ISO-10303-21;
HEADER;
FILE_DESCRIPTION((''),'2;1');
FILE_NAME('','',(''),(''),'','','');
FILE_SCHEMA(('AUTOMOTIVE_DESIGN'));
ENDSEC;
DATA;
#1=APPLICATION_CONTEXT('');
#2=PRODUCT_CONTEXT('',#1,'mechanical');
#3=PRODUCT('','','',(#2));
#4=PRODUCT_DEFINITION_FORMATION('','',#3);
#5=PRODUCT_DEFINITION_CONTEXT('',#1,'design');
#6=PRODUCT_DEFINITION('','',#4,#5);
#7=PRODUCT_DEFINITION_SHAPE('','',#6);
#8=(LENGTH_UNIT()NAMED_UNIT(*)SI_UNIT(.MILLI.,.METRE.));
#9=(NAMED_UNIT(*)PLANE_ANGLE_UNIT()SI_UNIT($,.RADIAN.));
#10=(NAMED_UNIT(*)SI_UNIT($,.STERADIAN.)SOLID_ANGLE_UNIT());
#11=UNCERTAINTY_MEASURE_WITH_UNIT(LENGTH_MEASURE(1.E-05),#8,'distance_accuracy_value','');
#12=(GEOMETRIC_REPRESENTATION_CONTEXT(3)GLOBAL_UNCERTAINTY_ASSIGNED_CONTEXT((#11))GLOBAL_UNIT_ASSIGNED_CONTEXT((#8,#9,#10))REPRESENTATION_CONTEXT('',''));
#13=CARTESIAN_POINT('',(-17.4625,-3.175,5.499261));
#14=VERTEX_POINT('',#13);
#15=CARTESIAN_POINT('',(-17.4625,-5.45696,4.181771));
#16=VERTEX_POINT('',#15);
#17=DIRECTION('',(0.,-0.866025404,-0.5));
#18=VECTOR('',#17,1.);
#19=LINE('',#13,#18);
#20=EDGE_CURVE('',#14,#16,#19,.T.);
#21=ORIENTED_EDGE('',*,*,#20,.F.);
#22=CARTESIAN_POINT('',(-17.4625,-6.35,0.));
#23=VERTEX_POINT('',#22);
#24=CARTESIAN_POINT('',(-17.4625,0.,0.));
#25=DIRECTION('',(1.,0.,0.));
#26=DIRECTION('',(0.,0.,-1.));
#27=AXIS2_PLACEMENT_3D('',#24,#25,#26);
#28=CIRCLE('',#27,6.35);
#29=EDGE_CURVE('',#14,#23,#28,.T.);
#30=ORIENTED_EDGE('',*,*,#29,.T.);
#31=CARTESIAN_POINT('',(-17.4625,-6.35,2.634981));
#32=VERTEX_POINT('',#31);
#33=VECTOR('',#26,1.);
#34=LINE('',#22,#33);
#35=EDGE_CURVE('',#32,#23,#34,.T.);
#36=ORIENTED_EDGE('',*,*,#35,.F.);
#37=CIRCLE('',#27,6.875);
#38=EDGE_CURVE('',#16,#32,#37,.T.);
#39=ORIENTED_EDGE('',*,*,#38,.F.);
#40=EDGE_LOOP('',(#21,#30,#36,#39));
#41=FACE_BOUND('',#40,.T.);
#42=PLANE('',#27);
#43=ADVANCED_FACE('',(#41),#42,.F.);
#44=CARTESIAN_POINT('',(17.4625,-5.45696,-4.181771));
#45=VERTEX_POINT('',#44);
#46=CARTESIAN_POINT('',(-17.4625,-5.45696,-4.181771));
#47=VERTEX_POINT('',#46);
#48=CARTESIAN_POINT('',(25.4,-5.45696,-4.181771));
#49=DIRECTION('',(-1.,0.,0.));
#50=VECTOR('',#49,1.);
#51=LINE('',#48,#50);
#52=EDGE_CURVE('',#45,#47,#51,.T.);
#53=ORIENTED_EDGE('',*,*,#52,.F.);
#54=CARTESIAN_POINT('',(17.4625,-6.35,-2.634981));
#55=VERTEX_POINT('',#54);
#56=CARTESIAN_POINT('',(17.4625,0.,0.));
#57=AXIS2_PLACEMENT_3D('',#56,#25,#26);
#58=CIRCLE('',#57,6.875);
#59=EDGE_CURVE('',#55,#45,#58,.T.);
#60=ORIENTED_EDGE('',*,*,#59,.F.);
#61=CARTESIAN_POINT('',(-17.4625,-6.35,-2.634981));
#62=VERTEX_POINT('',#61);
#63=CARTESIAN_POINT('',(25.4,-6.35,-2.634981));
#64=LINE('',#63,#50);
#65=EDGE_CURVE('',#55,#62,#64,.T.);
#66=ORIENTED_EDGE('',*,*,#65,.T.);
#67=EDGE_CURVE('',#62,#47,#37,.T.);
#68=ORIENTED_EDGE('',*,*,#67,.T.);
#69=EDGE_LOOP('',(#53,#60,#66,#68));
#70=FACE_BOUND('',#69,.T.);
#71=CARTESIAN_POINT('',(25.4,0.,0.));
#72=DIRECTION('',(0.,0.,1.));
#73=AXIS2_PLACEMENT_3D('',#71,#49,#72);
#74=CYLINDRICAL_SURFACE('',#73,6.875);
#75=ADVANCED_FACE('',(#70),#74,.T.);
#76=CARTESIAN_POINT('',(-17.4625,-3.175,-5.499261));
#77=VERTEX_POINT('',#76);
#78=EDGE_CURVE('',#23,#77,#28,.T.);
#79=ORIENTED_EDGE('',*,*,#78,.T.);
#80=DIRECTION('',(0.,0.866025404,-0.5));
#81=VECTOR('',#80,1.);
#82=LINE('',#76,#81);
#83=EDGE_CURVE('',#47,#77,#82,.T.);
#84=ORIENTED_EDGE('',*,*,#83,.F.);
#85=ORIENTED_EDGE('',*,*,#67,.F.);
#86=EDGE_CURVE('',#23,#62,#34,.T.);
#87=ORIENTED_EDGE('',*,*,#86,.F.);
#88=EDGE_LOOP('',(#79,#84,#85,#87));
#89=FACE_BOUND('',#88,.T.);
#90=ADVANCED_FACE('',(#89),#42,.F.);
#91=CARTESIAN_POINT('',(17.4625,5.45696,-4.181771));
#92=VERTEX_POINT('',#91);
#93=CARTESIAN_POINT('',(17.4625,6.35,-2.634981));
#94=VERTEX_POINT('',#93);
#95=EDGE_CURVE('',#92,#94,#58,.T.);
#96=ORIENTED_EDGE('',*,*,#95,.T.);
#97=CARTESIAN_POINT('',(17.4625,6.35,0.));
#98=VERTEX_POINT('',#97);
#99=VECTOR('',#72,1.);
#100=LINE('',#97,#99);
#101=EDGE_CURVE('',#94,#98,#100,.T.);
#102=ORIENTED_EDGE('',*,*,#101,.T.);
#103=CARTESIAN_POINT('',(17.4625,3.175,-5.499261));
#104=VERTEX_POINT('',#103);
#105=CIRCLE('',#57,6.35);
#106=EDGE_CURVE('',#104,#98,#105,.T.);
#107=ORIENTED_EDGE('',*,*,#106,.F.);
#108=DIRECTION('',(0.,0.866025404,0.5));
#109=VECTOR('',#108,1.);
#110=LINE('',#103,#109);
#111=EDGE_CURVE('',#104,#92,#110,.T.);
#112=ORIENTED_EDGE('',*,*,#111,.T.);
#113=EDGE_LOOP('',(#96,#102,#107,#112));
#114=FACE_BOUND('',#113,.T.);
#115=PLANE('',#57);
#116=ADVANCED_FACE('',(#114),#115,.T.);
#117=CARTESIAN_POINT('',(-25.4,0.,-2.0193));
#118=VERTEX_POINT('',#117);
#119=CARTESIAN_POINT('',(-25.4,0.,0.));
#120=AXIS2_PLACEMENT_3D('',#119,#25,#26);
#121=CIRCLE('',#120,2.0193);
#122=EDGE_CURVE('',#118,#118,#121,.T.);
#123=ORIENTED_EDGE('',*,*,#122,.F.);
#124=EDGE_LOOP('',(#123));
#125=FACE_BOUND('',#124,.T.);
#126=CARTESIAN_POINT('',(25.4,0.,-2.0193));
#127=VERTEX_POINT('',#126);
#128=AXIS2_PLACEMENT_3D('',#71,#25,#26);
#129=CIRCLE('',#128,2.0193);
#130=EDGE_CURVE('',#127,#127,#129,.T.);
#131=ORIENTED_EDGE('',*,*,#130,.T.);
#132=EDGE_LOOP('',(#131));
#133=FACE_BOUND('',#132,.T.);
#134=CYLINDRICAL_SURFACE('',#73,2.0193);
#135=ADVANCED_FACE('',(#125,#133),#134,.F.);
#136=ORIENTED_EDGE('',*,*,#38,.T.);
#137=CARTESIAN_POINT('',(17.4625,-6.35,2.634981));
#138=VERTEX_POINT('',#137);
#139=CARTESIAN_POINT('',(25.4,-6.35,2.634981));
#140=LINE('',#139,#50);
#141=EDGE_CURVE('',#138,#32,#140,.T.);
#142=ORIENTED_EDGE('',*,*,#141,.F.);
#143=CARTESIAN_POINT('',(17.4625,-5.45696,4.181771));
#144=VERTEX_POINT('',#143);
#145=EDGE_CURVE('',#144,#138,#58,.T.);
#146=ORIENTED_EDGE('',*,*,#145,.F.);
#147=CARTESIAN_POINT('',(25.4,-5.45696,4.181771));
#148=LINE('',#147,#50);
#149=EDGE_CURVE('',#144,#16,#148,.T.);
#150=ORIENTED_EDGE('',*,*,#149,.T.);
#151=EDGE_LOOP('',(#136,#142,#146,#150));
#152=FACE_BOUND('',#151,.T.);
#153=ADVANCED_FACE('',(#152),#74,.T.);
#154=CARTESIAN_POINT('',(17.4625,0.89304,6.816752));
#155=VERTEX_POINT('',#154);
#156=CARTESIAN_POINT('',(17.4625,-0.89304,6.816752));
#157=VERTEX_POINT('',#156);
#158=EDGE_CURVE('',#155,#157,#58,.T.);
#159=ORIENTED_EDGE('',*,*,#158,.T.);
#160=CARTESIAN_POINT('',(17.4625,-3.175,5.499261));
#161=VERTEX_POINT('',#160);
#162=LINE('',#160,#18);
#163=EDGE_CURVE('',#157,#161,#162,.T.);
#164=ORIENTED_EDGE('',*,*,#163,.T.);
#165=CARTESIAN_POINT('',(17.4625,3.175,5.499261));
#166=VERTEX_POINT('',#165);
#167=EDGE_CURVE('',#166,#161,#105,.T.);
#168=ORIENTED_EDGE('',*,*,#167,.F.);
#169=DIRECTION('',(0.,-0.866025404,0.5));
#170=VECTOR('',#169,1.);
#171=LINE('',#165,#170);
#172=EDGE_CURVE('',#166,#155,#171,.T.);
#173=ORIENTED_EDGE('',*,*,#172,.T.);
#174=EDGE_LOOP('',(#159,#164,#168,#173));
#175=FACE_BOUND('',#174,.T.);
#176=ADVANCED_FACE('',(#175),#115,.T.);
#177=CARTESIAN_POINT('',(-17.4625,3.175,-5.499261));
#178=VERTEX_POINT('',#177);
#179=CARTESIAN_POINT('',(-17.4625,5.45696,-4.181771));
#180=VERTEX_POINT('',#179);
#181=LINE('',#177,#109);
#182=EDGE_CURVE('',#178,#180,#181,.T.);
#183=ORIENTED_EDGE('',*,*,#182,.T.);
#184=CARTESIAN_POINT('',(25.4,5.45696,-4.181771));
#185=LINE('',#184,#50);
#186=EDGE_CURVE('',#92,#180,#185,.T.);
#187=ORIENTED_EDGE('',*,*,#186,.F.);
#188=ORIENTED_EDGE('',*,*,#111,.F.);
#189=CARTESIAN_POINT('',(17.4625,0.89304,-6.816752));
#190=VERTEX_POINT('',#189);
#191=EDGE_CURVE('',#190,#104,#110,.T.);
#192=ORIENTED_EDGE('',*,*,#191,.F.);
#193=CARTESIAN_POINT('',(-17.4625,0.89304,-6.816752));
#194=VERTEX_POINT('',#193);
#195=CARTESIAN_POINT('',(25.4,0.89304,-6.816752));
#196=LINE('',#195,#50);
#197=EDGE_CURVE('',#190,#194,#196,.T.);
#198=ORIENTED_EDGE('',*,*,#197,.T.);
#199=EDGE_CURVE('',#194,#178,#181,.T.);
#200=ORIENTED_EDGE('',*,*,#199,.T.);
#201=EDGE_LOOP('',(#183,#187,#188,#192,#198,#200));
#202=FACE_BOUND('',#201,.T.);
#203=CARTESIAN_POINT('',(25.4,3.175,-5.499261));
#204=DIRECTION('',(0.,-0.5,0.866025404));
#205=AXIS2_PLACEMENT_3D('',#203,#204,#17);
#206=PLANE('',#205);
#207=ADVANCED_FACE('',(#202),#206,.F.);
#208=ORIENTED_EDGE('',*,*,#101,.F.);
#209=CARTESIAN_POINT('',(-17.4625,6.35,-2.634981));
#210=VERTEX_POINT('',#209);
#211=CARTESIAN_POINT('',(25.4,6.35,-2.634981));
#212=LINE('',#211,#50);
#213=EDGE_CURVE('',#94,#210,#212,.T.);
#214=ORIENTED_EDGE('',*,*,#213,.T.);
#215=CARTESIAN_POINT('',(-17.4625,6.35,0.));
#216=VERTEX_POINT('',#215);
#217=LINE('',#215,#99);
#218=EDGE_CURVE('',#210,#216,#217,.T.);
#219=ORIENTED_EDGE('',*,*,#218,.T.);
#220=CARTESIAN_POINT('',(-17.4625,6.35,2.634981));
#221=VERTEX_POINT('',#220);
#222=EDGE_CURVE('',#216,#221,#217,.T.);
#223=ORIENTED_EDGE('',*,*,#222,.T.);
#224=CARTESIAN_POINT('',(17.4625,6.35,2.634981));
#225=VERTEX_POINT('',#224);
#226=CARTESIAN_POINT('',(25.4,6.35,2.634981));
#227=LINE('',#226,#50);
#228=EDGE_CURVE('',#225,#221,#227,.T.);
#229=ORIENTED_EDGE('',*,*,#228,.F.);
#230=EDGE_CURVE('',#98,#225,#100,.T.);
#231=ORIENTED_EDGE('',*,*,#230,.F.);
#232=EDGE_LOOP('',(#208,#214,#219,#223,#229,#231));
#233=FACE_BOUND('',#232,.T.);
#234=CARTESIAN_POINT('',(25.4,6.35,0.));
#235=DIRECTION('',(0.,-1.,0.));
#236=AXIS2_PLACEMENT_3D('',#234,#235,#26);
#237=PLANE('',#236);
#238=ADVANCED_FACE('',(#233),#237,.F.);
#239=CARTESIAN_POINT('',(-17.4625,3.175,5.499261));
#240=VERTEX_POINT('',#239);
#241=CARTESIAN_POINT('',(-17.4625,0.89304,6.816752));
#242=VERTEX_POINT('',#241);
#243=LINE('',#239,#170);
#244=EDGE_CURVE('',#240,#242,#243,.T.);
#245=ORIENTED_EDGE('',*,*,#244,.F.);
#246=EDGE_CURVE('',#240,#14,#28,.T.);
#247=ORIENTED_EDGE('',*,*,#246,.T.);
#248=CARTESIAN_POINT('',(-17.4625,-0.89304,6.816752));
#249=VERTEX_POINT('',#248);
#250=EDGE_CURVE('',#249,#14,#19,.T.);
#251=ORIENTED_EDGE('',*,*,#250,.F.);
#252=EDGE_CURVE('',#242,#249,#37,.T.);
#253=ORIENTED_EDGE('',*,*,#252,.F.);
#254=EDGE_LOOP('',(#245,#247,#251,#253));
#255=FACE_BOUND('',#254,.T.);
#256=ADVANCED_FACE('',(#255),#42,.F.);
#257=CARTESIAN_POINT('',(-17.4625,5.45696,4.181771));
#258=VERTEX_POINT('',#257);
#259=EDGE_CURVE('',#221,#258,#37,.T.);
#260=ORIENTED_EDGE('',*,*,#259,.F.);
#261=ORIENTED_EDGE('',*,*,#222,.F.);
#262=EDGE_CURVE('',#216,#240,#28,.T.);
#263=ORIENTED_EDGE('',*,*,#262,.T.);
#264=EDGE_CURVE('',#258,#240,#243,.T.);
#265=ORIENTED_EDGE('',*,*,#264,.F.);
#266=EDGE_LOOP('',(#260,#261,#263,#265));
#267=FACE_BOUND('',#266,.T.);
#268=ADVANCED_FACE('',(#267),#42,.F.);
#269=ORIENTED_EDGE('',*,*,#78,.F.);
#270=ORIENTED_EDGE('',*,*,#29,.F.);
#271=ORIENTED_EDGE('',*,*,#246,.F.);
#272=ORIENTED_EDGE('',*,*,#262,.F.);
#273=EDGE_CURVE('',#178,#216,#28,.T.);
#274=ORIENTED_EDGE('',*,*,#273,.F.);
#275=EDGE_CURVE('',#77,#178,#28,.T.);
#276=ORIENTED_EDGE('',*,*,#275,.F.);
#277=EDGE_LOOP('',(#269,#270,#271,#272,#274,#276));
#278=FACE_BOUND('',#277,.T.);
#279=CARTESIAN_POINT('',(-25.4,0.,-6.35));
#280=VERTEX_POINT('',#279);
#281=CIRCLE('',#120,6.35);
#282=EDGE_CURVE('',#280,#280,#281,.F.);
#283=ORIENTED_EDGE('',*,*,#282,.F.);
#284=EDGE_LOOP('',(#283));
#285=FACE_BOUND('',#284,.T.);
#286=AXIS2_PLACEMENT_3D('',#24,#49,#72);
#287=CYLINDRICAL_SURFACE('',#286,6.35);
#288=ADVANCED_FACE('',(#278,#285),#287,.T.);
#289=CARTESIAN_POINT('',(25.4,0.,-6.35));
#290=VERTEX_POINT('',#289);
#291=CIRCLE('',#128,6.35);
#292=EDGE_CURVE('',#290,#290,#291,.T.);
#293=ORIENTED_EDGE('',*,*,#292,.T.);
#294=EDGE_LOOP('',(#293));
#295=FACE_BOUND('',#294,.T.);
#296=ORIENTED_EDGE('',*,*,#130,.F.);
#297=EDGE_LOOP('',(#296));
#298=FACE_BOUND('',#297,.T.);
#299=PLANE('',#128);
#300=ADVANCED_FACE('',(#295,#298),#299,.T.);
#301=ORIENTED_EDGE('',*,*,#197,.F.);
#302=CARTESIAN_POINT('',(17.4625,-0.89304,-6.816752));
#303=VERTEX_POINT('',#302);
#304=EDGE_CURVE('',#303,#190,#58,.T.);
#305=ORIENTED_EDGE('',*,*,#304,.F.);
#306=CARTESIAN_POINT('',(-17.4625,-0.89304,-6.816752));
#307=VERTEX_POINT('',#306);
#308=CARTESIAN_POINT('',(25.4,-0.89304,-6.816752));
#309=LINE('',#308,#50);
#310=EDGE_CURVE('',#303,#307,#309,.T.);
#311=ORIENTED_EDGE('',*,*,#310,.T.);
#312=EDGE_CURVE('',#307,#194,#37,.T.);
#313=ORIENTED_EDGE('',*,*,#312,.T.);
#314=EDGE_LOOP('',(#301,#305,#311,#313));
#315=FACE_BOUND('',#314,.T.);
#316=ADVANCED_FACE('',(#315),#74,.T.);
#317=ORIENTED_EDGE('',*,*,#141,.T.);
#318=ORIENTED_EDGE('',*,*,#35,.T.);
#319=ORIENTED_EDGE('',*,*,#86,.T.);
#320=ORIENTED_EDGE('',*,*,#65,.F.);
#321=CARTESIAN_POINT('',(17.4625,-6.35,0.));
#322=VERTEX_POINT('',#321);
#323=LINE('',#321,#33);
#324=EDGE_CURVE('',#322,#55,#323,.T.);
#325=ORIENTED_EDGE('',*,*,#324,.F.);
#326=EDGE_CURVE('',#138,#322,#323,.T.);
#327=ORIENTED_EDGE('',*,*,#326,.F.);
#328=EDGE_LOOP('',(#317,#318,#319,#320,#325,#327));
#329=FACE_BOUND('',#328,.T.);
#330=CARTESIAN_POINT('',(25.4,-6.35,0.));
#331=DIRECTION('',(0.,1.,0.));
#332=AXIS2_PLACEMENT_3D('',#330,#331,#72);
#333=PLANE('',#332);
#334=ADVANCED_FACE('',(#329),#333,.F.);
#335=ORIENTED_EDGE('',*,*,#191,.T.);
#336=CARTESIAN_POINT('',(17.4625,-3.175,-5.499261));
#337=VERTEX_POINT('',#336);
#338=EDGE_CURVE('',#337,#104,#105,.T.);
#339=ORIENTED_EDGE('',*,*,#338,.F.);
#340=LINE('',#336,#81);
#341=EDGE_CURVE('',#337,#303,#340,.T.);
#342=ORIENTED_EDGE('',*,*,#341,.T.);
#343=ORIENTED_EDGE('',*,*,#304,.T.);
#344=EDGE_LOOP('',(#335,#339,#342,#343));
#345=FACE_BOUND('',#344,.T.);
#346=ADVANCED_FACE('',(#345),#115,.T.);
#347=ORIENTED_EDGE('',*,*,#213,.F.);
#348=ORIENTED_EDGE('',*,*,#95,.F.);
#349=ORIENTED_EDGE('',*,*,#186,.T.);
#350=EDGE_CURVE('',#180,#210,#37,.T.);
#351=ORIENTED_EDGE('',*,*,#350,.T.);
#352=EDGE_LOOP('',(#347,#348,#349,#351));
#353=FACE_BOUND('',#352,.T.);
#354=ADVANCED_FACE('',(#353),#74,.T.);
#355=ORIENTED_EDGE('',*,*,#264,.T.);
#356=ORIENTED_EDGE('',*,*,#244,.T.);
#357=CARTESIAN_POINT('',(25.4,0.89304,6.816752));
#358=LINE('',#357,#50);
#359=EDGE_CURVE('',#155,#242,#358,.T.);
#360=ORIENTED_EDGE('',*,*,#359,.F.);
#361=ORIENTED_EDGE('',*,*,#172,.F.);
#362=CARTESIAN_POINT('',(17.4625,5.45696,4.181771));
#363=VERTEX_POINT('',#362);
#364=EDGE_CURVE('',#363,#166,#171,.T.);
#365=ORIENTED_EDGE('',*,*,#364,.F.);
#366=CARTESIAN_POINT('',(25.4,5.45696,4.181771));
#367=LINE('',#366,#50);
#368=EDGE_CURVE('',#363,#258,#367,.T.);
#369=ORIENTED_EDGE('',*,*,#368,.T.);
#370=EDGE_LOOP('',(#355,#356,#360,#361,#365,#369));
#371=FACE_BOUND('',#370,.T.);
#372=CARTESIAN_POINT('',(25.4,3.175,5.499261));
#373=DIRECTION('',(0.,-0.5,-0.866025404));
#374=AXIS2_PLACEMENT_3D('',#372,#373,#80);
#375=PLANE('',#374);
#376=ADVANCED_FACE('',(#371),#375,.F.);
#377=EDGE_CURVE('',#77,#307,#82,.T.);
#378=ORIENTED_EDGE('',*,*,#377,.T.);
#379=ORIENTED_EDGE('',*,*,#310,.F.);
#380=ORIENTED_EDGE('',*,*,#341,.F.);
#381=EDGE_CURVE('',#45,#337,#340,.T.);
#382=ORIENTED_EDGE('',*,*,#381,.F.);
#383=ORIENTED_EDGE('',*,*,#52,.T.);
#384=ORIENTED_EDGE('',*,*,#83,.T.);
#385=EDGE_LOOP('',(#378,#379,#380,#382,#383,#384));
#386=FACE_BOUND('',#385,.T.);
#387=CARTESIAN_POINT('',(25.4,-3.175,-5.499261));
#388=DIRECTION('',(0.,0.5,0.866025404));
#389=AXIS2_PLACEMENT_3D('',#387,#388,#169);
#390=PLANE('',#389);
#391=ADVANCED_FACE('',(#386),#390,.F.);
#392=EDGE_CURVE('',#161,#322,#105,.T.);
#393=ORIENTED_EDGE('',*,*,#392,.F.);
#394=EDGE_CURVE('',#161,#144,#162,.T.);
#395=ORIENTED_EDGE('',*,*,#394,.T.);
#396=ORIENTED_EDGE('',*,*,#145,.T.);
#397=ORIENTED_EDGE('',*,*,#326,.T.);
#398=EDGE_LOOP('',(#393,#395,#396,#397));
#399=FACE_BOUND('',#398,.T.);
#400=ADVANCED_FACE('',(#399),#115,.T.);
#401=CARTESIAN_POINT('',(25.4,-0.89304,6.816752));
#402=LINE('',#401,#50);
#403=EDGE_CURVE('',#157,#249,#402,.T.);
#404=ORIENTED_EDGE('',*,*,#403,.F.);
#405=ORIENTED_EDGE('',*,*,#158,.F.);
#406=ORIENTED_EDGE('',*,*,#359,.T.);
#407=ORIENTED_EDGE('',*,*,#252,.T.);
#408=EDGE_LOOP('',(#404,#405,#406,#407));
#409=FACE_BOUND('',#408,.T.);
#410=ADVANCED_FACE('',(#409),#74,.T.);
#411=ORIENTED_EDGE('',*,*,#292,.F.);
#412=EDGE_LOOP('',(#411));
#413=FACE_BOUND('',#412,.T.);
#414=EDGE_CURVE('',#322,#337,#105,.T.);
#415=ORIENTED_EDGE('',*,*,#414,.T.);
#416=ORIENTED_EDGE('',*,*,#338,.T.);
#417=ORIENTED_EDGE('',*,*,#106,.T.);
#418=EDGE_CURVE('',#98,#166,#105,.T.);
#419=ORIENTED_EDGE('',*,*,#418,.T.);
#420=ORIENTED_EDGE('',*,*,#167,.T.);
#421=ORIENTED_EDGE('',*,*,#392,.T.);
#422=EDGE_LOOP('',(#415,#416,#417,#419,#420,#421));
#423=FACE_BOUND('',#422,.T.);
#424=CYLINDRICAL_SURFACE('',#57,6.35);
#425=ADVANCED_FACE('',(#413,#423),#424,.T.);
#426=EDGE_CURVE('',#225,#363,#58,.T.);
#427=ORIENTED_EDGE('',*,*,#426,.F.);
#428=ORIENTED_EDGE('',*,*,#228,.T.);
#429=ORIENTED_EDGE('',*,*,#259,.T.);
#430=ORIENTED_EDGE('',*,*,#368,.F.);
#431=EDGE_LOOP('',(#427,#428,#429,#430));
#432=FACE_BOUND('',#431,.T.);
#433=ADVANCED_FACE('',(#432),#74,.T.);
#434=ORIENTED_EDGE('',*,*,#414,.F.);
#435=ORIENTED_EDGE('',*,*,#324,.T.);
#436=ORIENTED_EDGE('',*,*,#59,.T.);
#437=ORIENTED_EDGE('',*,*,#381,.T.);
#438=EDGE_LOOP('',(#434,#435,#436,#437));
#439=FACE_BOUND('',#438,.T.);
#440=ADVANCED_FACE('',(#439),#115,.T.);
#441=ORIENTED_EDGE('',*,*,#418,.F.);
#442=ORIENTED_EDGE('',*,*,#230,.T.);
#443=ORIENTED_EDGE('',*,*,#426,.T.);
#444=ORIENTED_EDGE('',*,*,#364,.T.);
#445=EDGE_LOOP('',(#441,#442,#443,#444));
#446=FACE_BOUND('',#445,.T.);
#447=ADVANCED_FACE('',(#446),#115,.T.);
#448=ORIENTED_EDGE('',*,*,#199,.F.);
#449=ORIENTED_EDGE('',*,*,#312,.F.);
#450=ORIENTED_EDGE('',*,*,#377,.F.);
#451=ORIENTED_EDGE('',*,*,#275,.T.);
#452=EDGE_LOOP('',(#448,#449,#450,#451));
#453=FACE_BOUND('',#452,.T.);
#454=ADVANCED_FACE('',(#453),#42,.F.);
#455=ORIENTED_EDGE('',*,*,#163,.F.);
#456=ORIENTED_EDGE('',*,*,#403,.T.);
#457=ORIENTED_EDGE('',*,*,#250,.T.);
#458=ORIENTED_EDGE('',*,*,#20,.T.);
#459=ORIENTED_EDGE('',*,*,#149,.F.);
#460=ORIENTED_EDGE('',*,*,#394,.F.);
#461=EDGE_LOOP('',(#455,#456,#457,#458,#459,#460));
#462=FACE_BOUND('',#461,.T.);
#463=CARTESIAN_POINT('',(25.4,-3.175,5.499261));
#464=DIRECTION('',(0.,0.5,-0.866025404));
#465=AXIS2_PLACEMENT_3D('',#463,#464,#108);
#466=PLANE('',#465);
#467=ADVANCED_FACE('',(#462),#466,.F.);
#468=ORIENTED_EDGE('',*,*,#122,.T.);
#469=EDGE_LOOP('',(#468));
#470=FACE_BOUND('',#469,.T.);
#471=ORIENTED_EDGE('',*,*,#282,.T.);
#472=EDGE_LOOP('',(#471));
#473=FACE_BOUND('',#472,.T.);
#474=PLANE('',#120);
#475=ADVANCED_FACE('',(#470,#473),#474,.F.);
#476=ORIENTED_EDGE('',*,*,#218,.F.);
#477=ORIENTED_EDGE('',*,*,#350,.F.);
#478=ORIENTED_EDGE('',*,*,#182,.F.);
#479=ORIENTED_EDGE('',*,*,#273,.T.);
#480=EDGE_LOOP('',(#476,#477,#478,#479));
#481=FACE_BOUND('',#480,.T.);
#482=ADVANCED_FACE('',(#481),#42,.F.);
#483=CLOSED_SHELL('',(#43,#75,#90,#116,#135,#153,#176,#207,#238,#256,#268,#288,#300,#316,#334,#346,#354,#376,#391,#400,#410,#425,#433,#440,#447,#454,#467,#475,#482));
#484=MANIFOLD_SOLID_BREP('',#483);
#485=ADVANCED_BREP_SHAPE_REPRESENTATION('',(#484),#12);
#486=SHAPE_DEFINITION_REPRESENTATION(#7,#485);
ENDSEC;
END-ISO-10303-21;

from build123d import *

# Parameters (mm, degrees)
SKETCH1_R               = 2.0193
BOSS_EXTRUDE1_DEPTH     = 25.4
SKETCH3_R               = 8.89
SKETCH3_R_2             = 6.35
CUT_EXTRUDE_THIN1_DEPTH = 7.9375


with BuildPart() as part:
    # Sketch1 → Boss-Extrude1 (new, symmetric)
    with BuildSketch(Plane(origin=(0, 0, 0), x_dir=(0, 0, -1), z_dir=(1, 0, 0))):
        with BuildLine():
            ThreePointArc((4.181770846, 5.456960429), (3.437499983, 5.953924622), (2.634980936, 6.35))
            Line((2.634980936, 6.35), (-2.634980936, 6.35))
            ThreePointArc((-2.634980936, 6.35), (-3.437499983, 5.953924622), (-4.181770846, 5.456960429))
            Line((-4.181770846, 5.456960429), (-6.816751782, 0.893039571))
            ThreePointArc((-6.816751782, 0.893039571), (-6.874999966, 0), (-6.816751782, -0.893039571))
            Line((-6.816751782, -0.893039571), (-4.181770846, -5.456960429))
            ThreePointArc((-4.181770846, -5.456960429), (-3.437499983, -5.953924622), (-2.634980936, -6.35))
            Line((-2.634980936, -6.35), (2.634980936, -6.35))
            ThreePointArc((2.634980936, -6.35), (3.437499983, -5.953924622), (4.181770846, -5.456960429))
            Line((4.181770846, -5.456960429), (6.816751782, -0.893039571))
            ThreePointArc((6.816751782, -0.893039571), (6.860422465, -0.447468582), (6.874999966, 0))
            ThreePointArc((6.874999966, 0), (6.860422465, 0.447468582), (6.816751782, 0.893039571))
            Line((6.816751782, 0.893039571), (4.181770846, 5.456960429))
        make_face()
        Circle(SKETCH1_R, mode=Mode.SUBTRACT)
    extrude(amount=BOSS_EXTRUDE1_DEPTH, both=True)

    # Sketch3 → Cut-Extrude-Thin1 (cut)
    with BuildSketch(Plane(origin=(25.4, 0, 0), x_dir=(0, 0, -1), z_dir=(1, 0, 0))):
        Circle(SKETCH3_R)
        Circle(SKETCH3_R_2, mode=Mode.SUBTRACT)
    cut_extrude_thin1 = extrude(amount=-CUT_EXTRUDE_THIN1_DEPTH, mode=Mode.SUBTRACT)

    # Mirror1: Cut-Extrude-Thin1 across plane
    add(cut_extrude_thin1.mirror(Plane(origin=(0, 0, 0), x_dir=(0, 0, 1), z_dir=(1, 0, 0))), mode=Mode.SUBTRACT)


solid = part.part
